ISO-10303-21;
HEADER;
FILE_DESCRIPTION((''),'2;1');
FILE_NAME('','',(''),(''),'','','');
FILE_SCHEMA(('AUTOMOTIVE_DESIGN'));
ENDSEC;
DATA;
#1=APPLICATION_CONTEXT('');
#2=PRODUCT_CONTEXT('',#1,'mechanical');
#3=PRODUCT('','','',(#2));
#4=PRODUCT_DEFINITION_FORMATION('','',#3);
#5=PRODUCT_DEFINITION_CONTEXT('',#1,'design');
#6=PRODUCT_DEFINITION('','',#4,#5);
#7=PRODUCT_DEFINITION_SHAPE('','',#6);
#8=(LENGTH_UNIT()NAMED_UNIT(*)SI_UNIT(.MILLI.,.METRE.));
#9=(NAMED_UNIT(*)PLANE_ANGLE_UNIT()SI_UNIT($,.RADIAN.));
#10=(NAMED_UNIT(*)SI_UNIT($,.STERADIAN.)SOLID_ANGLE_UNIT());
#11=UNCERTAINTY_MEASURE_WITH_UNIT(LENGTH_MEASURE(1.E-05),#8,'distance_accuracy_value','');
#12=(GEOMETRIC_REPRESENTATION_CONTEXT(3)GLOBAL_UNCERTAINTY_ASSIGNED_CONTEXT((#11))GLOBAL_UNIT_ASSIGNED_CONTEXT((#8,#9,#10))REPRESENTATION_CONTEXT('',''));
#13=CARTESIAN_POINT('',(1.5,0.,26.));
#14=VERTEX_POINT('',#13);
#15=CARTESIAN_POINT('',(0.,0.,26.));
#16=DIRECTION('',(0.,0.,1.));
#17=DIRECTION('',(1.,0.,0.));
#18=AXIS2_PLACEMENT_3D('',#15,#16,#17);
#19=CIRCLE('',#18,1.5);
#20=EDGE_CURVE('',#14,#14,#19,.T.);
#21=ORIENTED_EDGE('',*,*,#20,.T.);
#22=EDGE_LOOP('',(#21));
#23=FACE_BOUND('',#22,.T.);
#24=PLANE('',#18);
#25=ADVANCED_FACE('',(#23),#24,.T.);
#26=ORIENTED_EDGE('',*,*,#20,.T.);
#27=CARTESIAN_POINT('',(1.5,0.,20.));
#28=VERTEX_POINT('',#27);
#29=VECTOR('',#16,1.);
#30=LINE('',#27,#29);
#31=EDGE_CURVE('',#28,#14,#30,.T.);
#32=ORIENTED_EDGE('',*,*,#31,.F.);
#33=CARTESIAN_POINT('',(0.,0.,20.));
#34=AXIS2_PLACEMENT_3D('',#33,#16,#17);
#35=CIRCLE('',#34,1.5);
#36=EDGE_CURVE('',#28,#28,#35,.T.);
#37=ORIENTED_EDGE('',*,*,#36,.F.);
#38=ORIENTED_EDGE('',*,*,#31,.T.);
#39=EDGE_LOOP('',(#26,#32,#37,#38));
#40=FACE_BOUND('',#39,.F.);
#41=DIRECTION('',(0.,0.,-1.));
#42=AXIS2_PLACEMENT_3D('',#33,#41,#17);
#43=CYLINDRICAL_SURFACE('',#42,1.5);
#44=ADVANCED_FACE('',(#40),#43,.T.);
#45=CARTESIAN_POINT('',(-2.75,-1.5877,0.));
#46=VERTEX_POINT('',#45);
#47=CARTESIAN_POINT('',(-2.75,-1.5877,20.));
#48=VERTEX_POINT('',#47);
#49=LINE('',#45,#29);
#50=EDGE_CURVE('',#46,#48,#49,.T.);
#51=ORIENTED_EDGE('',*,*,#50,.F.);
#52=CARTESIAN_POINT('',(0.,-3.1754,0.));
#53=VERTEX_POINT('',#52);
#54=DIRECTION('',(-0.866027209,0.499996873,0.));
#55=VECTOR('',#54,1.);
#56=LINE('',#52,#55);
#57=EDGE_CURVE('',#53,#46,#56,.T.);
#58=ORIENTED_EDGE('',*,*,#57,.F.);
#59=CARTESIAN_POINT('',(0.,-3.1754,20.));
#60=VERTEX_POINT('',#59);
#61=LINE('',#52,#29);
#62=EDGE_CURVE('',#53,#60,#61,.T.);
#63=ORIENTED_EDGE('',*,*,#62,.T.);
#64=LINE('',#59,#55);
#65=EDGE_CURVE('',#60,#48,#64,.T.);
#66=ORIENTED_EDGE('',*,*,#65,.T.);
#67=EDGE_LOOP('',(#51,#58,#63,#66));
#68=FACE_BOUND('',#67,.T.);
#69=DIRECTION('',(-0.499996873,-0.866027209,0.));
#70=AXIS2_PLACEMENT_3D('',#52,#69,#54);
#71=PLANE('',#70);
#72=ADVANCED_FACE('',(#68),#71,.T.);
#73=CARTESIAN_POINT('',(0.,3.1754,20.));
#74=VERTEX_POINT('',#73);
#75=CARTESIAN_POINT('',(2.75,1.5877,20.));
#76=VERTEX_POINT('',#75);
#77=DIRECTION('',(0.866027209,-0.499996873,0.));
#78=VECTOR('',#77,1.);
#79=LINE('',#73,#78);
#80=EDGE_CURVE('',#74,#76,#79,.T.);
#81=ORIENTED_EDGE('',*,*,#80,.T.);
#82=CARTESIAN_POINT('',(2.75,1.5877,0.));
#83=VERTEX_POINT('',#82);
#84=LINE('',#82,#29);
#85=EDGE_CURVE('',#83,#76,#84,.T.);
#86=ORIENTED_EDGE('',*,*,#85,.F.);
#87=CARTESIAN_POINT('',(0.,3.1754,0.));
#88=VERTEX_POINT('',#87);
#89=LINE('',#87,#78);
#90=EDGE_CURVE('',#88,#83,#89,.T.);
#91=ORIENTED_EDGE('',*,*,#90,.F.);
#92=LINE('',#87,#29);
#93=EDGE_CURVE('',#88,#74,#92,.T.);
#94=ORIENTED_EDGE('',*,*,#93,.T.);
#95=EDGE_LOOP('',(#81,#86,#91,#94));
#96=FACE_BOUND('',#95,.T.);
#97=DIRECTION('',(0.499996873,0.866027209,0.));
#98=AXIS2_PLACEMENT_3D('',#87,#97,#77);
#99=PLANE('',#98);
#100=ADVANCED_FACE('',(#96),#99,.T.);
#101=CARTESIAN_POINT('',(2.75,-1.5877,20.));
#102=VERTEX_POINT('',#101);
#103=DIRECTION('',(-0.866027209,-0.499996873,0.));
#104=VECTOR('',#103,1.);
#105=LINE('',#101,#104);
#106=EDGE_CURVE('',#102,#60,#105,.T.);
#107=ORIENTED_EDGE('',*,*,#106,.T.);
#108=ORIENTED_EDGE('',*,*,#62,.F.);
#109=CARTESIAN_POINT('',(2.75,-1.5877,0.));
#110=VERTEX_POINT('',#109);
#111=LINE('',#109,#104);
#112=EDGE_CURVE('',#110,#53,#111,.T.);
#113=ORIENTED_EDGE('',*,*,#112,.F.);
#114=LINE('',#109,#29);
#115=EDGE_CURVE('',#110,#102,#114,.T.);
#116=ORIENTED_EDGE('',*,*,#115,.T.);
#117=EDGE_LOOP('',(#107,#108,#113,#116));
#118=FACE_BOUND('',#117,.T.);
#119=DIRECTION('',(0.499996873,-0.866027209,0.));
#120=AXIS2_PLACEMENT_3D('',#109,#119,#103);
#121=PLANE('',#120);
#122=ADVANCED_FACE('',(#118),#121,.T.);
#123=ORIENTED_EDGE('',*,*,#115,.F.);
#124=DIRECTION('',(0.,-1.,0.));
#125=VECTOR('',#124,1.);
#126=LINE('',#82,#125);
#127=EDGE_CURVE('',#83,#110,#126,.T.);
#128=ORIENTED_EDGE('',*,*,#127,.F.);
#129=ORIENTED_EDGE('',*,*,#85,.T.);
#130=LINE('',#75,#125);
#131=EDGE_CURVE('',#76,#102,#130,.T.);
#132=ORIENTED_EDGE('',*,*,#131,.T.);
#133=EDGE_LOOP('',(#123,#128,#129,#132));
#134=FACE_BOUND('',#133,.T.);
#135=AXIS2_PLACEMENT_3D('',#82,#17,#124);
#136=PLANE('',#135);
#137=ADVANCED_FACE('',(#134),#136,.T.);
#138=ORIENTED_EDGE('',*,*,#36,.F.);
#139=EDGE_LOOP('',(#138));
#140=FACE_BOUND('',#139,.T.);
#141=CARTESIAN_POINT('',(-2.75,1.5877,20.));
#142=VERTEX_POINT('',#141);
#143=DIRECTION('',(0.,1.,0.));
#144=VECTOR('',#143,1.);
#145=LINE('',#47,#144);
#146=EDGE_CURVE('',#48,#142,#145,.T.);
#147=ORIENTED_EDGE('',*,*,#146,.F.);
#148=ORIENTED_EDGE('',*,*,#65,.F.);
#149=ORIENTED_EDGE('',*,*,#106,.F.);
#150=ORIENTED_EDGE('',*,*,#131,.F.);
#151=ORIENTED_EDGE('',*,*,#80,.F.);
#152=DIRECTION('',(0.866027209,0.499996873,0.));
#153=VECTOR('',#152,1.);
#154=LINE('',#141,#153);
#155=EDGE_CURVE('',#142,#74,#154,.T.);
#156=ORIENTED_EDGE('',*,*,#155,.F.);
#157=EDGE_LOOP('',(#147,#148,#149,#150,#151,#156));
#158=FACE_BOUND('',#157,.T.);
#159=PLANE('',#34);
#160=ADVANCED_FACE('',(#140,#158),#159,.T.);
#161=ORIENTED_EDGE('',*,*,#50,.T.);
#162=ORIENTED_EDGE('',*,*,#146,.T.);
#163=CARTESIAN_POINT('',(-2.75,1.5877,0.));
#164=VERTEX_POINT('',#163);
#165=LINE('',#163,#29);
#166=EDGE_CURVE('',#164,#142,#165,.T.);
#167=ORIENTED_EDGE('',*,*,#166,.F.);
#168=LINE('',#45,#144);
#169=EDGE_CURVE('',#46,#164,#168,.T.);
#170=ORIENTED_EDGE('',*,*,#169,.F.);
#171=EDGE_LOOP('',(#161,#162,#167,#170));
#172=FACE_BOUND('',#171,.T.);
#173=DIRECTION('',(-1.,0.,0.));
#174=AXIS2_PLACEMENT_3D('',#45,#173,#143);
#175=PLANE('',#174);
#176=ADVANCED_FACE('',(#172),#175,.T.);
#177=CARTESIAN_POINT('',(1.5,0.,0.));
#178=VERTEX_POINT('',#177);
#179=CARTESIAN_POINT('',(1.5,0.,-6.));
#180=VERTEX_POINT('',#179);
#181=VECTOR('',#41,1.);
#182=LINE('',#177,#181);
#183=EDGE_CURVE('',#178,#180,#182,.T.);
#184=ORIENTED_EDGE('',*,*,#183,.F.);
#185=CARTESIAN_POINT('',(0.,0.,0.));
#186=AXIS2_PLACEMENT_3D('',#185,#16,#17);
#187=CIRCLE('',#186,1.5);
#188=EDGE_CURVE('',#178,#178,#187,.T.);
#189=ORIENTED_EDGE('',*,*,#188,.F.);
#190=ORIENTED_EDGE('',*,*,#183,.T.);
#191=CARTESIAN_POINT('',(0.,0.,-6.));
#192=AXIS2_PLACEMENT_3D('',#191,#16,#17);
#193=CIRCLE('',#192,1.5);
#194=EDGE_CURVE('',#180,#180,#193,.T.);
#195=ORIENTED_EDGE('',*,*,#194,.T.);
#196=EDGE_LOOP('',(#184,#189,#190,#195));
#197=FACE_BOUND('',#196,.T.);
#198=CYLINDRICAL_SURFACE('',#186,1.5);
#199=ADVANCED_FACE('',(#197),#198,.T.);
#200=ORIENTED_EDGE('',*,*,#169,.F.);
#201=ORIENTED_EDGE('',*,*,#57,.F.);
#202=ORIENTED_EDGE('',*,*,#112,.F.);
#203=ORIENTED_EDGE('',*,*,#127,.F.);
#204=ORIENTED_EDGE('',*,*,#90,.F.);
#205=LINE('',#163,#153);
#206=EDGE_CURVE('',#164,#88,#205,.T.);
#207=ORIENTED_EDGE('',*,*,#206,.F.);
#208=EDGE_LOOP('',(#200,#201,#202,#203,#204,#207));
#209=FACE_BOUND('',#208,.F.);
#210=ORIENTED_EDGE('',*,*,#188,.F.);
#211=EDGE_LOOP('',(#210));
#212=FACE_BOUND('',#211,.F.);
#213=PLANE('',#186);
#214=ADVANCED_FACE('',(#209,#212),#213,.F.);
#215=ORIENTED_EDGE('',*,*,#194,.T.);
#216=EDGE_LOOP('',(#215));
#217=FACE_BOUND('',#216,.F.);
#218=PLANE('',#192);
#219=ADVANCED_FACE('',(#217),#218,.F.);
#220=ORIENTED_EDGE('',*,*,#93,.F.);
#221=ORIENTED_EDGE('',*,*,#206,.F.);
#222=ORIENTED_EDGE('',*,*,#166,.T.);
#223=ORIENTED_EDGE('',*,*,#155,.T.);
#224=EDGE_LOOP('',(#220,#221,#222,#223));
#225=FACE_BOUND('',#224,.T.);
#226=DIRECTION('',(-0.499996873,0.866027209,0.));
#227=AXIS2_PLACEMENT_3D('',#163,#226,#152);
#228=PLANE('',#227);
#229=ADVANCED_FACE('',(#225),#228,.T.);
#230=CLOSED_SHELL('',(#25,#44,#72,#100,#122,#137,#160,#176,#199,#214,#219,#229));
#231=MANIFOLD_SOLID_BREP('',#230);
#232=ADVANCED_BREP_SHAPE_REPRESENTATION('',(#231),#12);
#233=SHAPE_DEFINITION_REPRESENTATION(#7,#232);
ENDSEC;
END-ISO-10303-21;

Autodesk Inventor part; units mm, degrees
ref_plane "YZ Plane" through (0, 0, 0) normal (1, 0, 0) x (0, 1, 0)
ref_plane "XZ Plane" through (0, 0, 0) normal (0, 1, 0) x (-1, 0, 0)
ref_plane "XY Plane" through (0, 0, 0) normal (0, 0, 1) x (1, 0, 0)
sketch "スケッチ1" plane through (0, 0, 0) normal (0, 0, 1) x (1, 0, 0)
  line L0 (-2.75, 1.5877) -> (0, 3.1754)
  line L1 (0, 3.1754) -> (2.75, 1.5877)
  line L2 (2.75, 1.5877) -> (2.75, -1.5877)
  line L3 (2.75, -1.5877) -> (0, -3.1754)
  line L4 (0, -3.1754) -> (-2.75, -1.5877)
  line L5 (-2.75, -1.5877) -> (-2.75, 1.5877)
  circle A0 centre (0, 0) radius 1.5
  dimension "d0" = 5.5
  dimension "d1" = 3
extrude "押し出し1" add sketch "スケッチ1" along normal blind 20 contours L0 L1 L2 L3 L4 L5 | A0
sketch "スケッチ2" plane through (0, 0, 20) normal (0, 0, 1) x (1, 0, 0)
  circle A0 centre (0, 0) radius 1.5
  dimension "d4" = 3
extrude "押し出し2" add sketch "スケッチ2" along normal blind 6
extrude "押し出し3" add sketch "スケッチ1" against normal blind 6 contours A0
properties part number "スペーサー　両雄ねじ　m3-20" material "アルミニウム 2014-T4"
